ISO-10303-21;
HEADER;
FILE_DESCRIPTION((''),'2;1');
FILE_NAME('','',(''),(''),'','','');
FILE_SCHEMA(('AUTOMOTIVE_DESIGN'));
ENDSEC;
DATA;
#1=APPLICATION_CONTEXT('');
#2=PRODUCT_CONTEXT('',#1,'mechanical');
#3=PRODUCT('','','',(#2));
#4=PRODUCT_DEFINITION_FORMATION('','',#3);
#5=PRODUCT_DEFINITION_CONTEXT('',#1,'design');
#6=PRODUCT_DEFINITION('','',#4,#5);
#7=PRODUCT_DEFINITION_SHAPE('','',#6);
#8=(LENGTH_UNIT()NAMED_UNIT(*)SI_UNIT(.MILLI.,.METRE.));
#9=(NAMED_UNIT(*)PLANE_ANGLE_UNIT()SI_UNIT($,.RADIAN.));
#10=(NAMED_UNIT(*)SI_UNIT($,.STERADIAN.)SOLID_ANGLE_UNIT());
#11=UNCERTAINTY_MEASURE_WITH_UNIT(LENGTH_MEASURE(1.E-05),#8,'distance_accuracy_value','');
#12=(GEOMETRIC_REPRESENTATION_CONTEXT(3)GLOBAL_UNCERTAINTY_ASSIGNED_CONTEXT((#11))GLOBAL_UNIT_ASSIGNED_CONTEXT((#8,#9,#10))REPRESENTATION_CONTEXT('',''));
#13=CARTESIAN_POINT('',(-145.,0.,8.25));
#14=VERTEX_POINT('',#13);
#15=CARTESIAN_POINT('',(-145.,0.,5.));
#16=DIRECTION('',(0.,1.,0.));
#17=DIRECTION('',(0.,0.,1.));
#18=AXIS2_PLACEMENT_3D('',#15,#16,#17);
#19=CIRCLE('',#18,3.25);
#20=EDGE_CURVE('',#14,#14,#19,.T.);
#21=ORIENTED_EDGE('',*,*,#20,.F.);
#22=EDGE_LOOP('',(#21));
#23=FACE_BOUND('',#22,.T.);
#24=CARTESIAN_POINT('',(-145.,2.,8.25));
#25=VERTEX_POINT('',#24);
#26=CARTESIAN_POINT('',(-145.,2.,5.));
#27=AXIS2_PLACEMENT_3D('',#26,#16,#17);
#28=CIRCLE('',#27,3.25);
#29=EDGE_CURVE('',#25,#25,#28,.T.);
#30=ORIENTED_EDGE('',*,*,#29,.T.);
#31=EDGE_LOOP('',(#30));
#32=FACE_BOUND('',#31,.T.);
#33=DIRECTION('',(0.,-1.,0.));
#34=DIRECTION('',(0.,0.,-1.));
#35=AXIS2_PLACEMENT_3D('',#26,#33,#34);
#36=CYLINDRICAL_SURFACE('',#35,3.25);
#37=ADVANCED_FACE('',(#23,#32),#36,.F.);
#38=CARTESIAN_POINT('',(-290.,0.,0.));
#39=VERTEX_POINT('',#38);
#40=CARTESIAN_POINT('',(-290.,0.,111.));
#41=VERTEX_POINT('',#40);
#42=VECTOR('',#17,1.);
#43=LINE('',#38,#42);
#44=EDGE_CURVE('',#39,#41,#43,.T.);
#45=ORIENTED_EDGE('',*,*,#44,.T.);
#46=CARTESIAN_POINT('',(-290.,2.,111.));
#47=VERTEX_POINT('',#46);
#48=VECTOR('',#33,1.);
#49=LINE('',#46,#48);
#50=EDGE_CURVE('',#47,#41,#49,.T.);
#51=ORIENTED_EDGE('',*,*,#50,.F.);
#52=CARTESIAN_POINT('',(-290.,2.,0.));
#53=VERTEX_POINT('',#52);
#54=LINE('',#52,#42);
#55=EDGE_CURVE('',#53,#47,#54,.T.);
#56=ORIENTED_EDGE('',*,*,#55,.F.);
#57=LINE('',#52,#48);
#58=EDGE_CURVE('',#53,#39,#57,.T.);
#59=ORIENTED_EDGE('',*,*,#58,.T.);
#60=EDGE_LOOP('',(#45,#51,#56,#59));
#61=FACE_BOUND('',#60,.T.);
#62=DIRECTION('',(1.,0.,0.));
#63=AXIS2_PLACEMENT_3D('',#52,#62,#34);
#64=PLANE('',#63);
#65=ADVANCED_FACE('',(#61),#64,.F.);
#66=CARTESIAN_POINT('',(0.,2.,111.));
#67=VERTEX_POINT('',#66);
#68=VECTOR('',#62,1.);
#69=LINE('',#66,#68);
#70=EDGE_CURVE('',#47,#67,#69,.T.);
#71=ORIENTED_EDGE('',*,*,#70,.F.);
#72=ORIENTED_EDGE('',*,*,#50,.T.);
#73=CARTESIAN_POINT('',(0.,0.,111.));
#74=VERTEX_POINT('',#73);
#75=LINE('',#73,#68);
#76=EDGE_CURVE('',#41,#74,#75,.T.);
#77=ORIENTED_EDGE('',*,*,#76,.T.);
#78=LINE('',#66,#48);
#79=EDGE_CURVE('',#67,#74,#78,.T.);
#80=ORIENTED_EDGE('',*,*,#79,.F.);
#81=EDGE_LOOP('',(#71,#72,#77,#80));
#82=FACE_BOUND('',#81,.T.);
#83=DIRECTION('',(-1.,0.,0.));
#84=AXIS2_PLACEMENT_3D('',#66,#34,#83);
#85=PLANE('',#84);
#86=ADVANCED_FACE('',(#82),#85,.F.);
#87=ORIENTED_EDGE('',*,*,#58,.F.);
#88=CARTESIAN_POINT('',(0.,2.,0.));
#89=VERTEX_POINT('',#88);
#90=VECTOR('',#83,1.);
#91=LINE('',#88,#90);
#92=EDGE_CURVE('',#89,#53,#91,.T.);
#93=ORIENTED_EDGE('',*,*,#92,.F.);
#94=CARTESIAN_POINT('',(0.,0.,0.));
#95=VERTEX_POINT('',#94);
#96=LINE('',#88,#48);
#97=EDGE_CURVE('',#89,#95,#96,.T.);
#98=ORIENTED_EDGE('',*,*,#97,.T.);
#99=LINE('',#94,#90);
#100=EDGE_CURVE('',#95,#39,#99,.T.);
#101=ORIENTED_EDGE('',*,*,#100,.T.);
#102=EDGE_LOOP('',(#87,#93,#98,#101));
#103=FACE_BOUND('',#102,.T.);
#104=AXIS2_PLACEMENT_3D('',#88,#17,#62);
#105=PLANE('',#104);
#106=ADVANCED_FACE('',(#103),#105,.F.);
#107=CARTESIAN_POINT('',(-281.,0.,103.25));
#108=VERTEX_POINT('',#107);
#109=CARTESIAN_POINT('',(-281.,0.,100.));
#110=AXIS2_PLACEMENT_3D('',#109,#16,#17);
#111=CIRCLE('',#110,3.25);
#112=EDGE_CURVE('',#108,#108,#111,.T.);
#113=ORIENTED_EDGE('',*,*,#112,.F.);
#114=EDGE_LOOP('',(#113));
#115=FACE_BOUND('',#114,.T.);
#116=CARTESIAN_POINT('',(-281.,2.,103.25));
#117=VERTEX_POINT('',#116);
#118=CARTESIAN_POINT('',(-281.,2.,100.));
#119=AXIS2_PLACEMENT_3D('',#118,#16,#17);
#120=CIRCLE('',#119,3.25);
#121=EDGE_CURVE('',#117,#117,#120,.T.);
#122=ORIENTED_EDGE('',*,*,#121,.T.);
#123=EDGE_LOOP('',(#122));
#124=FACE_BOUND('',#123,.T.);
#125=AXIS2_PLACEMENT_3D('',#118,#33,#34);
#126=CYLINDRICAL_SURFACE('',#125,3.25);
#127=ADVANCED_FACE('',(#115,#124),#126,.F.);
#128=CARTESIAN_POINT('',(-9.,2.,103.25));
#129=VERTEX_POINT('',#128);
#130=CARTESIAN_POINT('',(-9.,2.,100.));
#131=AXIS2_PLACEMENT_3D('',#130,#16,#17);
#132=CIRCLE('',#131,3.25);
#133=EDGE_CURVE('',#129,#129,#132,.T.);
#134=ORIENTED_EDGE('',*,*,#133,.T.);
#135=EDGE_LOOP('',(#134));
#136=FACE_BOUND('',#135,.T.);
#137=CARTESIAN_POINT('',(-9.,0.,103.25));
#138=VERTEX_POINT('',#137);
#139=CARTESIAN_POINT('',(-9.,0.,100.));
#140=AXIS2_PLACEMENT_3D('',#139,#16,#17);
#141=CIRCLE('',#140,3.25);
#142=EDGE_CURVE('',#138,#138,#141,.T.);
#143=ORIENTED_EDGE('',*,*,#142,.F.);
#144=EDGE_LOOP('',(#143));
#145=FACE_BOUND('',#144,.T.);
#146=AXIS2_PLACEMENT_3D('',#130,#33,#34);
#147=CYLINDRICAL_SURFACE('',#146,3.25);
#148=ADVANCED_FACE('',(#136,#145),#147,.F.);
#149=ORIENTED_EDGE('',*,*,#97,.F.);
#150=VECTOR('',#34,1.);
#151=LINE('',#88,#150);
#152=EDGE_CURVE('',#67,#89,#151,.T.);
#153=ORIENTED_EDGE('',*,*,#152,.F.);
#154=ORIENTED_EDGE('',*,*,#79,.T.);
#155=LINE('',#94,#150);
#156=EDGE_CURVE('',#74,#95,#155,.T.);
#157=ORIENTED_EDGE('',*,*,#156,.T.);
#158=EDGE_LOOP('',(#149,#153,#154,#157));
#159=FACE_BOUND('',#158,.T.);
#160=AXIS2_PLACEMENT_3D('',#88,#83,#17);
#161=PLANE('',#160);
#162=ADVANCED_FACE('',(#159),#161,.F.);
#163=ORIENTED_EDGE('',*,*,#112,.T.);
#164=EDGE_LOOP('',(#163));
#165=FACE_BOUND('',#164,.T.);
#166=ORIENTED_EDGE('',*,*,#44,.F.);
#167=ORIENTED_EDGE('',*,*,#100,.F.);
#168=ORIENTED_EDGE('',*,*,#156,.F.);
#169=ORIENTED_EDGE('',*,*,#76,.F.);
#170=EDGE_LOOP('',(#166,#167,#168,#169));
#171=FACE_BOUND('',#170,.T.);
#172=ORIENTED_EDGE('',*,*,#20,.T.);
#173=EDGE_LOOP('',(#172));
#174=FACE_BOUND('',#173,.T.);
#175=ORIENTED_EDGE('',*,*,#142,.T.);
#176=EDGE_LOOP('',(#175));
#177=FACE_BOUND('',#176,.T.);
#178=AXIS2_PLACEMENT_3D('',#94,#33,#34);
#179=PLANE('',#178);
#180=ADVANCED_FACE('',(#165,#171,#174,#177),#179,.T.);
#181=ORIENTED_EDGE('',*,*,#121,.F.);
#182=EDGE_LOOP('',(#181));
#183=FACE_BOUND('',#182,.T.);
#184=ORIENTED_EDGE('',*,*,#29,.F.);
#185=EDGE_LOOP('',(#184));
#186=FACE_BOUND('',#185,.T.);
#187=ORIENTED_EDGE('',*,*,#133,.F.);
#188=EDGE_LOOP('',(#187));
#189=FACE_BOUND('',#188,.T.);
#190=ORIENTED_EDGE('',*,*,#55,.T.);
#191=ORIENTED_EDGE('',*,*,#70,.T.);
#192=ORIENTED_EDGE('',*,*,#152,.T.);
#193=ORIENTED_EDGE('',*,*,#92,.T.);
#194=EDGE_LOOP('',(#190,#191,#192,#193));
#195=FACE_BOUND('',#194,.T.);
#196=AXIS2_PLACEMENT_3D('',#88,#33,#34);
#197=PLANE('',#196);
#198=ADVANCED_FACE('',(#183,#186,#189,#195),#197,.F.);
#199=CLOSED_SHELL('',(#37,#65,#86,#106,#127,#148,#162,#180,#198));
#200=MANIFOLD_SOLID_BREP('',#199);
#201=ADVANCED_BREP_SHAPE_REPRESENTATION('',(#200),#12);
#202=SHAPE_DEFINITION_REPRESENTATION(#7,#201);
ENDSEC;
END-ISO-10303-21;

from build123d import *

# Parameters (mm, degrees)
SKETCH2_W           = 290
SKETCH2_H           = 111
SKETCH2_R           = 3.25
BOSS_EXTRUDE1_DEPTH = 2


with BuildPart() as part:
    # Sketch2 → Boss-Extrude1 (new body)
    with BuildSketch(Plane(origin=(0, 0, 0), x_dir=(1, 0, 0), z_dir=(0, 1, 0))):
        with Locations((-145, -55.5)):
            Rectangle(SKETCH2_W, SKETCH2_H)
        with Locations((-145, -5)):
            Circle(SKETCH2_R, mode=Mode.SUBTRACT)
        with Locations((-281, -100)):
            Circle(SKETCH2_R, mode=Mode.SUBTRACT)
        with Locations((-9, -100)):
            Circle(SKETCH2_R, mode=Mode.SUBTRACT)
    extrude(amount=BOSS_EXTRUDE1_DEPTH)


solid = part.part
